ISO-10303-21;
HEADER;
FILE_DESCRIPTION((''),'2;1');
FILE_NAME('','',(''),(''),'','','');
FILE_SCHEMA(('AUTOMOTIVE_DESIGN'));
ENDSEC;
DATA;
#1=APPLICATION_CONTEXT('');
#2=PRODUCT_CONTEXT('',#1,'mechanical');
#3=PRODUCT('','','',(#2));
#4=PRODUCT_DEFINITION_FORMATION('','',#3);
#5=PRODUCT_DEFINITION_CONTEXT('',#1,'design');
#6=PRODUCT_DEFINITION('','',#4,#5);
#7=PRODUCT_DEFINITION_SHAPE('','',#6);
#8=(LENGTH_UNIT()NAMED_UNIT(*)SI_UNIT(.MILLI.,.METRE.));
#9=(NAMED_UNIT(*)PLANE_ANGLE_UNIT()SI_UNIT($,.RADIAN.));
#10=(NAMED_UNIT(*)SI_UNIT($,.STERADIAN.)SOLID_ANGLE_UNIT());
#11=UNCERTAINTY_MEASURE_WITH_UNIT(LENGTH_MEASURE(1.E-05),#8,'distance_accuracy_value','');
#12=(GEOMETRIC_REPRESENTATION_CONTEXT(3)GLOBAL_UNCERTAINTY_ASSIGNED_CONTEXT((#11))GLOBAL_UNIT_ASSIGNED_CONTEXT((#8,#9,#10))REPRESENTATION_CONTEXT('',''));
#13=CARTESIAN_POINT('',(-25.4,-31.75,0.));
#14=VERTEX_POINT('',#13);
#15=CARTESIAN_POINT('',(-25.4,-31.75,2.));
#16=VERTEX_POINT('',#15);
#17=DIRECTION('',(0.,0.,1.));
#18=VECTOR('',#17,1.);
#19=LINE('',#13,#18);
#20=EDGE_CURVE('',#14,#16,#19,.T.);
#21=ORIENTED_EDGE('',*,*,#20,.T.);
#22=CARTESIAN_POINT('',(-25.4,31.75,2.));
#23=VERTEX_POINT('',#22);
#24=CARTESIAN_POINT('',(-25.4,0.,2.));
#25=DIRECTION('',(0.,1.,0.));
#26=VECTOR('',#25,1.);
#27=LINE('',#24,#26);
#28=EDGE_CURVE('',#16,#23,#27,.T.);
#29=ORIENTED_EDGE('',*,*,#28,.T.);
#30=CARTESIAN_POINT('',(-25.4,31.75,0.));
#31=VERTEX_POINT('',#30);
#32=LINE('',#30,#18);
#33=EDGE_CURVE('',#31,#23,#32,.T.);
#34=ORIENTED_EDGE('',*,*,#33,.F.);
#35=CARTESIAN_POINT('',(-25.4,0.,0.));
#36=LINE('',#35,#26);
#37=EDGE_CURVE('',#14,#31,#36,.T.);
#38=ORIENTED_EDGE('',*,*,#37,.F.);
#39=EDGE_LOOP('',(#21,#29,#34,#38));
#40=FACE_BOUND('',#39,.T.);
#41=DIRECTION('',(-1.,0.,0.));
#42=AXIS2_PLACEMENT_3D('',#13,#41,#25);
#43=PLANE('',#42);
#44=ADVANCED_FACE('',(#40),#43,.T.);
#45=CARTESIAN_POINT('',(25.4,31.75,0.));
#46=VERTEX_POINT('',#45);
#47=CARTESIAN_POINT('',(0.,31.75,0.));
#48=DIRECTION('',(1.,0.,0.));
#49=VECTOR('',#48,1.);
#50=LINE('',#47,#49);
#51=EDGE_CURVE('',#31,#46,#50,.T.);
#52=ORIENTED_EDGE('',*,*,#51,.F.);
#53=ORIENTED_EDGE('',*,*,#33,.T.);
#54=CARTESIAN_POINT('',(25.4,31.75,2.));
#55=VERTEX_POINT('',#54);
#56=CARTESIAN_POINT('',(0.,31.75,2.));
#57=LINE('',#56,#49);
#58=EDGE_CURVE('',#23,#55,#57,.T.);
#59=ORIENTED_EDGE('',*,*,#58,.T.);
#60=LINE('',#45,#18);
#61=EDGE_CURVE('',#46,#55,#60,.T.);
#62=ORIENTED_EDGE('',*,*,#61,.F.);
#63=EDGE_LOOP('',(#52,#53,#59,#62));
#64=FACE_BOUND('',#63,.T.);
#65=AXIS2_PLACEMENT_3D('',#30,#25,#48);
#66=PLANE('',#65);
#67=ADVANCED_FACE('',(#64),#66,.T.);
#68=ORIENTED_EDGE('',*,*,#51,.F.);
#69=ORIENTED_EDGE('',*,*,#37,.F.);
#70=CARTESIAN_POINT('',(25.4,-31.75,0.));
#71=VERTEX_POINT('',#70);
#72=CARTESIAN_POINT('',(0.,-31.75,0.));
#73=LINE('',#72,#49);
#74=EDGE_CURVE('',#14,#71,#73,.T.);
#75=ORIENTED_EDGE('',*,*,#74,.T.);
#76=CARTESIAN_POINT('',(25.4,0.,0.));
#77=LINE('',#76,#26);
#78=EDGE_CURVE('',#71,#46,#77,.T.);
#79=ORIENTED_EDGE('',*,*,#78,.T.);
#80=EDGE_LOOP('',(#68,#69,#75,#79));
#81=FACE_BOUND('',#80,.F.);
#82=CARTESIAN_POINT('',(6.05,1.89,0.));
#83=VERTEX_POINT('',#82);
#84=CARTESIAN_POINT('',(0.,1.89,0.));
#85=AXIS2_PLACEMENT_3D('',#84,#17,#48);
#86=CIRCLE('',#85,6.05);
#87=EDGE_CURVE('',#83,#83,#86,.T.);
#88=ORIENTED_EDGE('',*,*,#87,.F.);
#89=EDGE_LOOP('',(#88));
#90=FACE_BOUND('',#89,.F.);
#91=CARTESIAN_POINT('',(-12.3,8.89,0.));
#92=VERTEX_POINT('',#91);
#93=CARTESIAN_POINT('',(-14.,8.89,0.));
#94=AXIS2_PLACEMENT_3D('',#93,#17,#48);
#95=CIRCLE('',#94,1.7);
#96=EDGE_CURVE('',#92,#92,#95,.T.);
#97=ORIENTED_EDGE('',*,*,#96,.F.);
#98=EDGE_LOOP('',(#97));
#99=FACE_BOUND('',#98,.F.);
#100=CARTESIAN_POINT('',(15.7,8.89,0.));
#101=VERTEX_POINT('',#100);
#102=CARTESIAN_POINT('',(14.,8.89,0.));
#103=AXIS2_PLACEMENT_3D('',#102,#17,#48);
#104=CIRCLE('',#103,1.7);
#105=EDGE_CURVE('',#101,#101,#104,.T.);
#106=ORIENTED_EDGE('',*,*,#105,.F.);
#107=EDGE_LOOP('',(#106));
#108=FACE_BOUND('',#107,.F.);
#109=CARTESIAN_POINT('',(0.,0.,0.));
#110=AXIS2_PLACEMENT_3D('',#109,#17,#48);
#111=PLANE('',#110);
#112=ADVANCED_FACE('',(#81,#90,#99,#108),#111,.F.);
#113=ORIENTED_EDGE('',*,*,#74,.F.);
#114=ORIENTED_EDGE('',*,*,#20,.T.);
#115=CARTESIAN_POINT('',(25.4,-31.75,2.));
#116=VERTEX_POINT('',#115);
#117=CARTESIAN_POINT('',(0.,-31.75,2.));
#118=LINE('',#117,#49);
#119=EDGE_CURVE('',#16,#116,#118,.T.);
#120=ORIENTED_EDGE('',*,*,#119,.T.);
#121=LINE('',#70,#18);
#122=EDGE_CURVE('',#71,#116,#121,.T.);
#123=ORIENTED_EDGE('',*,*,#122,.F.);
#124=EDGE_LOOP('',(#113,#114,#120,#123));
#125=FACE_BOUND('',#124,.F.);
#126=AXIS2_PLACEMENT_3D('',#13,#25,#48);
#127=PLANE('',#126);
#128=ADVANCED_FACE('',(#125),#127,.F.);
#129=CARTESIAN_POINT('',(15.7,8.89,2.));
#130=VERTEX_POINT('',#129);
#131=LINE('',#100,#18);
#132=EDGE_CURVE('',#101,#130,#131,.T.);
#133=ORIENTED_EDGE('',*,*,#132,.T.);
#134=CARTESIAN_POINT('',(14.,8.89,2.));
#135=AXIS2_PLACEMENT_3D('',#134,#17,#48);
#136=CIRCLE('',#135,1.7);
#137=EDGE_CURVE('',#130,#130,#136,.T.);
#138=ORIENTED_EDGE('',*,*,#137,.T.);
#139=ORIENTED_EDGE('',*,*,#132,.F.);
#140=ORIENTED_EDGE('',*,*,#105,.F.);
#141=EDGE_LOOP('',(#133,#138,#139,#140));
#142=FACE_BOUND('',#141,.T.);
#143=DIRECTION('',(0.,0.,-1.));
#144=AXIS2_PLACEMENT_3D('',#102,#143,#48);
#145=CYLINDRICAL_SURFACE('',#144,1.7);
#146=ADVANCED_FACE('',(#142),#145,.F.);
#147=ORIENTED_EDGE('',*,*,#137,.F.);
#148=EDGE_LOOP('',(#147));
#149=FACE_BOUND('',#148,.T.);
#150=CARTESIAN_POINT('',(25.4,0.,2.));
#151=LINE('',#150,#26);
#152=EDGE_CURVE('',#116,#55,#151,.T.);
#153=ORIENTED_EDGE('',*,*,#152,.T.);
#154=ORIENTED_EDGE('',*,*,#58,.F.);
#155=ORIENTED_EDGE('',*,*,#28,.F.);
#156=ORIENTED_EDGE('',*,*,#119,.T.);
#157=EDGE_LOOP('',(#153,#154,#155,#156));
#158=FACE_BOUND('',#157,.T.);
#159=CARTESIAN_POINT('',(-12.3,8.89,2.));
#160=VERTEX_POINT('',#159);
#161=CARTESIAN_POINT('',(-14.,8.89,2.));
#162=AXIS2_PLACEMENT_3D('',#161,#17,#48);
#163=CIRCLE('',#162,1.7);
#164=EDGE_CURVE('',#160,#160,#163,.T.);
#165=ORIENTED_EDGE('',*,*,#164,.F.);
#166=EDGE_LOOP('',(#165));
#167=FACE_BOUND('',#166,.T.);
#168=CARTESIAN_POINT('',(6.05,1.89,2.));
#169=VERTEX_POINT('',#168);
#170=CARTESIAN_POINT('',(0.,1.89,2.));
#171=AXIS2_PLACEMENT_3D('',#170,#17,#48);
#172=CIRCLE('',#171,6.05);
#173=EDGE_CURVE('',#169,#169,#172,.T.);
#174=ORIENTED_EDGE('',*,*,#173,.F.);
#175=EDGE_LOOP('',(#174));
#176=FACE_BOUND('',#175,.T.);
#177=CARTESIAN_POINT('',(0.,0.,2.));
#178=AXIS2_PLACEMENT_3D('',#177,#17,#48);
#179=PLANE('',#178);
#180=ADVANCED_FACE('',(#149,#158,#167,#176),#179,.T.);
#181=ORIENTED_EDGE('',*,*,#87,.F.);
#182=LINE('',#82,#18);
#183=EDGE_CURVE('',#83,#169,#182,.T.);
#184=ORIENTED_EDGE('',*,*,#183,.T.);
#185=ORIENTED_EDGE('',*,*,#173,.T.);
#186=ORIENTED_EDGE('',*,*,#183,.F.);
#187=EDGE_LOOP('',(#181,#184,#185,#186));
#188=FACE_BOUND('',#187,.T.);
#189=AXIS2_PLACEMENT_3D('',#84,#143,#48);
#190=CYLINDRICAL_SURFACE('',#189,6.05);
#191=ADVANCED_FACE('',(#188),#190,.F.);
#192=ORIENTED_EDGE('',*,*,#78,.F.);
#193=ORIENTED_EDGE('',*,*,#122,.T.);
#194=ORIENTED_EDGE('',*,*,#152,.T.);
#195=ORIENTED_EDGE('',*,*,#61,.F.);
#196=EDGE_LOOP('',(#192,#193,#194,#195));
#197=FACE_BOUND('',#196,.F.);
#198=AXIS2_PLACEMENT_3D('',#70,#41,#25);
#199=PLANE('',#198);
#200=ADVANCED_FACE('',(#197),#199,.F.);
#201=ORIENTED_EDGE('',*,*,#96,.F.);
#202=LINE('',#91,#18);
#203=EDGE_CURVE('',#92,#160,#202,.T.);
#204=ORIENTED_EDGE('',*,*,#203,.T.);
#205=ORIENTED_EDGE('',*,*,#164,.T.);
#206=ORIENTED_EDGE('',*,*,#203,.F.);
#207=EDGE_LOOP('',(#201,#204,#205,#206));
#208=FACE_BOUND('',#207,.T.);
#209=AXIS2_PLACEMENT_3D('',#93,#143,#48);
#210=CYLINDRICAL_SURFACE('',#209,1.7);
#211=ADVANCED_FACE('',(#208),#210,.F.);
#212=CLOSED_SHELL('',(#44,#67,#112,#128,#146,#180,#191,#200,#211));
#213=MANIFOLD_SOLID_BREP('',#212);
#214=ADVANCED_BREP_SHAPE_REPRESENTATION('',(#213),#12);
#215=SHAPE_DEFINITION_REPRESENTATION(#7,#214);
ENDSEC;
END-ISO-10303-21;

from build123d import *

# Parameters (mm, degrees)
F0_W     = 50.8
F0_H     = 63.5
F0_R     = 1.7
F0_R_2   = 6.05
F1_DEPTH = 2


with BuildPart() as f1:
    # F0 (on Top) → F1 (new body)
    with BuildSketch(Plane.XY):
        Rectangle(F0_W, F0_H)
        with Locations((-14, 8.89)):
            Circle(F0_R, mode=Mode.SUBTRACT)
        with Locations((0, 1.89)):
            Circle(F0_R_2, mode=Mode.SUBTRACT)
        with Locations((14, 8.89)):
            Circle(F0_R, mode=Mode.SUBTRACT)
    extrude(amount=F1_DEPTH)


solid = f1.part
